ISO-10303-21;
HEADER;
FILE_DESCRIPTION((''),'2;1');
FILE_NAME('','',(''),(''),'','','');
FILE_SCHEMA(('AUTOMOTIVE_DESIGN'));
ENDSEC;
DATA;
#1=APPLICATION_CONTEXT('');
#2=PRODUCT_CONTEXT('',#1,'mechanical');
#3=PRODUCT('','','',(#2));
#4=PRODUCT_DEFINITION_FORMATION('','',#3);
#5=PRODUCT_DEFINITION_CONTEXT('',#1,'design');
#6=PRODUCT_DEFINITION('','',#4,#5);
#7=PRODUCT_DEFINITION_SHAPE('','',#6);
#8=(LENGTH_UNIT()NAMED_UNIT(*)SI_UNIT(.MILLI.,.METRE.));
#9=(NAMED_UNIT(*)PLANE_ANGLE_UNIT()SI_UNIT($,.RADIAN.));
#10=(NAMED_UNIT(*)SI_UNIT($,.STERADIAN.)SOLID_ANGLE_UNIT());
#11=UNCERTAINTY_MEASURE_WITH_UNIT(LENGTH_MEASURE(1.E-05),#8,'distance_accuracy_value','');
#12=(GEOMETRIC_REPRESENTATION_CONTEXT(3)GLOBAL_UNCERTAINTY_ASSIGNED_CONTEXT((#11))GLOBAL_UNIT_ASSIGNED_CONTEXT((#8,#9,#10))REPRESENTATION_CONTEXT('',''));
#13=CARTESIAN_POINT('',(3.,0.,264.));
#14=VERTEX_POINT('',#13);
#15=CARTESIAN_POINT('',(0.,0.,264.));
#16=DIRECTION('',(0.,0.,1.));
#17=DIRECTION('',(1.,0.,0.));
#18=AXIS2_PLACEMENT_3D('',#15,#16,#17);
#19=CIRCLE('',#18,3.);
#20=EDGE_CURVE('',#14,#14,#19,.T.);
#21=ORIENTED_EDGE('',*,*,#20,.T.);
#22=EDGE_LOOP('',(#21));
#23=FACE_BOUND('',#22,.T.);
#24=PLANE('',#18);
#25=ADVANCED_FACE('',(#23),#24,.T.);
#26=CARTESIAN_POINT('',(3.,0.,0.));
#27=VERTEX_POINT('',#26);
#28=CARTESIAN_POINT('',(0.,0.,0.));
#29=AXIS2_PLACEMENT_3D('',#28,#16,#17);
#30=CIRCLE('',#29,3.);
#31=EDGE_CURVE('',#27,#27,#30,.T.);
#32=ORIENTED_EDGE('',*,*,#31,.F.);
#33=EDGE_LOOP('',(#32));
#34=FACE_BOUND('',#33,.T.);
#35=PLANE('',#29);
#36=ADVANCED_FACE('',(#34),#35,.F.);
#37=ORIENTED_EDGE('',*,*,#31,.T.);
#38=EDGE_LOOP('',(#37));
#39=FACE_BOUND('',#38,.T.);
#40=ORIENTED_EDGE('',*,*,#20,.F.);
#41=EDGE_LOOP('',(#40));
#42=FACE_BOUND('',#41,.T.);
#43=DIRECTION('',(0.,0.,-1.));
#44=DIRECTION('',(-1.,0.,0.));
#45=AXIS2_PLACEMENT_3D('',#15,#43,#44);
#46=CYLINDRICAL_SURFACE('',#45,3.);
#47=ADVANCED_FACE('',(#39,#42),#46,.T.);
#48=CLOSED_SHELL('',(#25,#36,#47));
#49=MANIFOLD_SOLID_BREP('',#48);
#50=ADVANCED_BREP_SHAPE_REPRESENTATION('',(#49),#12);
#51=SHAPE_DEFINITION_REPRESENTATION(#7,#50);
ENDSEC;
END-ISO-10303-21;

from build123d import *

# Parameters (mm, degrees)
ESQUISSE1_R      = 3
EXTRUSION1_DEPTH = 264


with BuildPart() as part:
    # Esquisse1 → Extrusion1 (new body)
    with BuildSketch(Plane.XY):
        Circle(ESQUISSE1_R)
    extrude(amount=EXTRUSION1_DEPTH)


solid = part.part
